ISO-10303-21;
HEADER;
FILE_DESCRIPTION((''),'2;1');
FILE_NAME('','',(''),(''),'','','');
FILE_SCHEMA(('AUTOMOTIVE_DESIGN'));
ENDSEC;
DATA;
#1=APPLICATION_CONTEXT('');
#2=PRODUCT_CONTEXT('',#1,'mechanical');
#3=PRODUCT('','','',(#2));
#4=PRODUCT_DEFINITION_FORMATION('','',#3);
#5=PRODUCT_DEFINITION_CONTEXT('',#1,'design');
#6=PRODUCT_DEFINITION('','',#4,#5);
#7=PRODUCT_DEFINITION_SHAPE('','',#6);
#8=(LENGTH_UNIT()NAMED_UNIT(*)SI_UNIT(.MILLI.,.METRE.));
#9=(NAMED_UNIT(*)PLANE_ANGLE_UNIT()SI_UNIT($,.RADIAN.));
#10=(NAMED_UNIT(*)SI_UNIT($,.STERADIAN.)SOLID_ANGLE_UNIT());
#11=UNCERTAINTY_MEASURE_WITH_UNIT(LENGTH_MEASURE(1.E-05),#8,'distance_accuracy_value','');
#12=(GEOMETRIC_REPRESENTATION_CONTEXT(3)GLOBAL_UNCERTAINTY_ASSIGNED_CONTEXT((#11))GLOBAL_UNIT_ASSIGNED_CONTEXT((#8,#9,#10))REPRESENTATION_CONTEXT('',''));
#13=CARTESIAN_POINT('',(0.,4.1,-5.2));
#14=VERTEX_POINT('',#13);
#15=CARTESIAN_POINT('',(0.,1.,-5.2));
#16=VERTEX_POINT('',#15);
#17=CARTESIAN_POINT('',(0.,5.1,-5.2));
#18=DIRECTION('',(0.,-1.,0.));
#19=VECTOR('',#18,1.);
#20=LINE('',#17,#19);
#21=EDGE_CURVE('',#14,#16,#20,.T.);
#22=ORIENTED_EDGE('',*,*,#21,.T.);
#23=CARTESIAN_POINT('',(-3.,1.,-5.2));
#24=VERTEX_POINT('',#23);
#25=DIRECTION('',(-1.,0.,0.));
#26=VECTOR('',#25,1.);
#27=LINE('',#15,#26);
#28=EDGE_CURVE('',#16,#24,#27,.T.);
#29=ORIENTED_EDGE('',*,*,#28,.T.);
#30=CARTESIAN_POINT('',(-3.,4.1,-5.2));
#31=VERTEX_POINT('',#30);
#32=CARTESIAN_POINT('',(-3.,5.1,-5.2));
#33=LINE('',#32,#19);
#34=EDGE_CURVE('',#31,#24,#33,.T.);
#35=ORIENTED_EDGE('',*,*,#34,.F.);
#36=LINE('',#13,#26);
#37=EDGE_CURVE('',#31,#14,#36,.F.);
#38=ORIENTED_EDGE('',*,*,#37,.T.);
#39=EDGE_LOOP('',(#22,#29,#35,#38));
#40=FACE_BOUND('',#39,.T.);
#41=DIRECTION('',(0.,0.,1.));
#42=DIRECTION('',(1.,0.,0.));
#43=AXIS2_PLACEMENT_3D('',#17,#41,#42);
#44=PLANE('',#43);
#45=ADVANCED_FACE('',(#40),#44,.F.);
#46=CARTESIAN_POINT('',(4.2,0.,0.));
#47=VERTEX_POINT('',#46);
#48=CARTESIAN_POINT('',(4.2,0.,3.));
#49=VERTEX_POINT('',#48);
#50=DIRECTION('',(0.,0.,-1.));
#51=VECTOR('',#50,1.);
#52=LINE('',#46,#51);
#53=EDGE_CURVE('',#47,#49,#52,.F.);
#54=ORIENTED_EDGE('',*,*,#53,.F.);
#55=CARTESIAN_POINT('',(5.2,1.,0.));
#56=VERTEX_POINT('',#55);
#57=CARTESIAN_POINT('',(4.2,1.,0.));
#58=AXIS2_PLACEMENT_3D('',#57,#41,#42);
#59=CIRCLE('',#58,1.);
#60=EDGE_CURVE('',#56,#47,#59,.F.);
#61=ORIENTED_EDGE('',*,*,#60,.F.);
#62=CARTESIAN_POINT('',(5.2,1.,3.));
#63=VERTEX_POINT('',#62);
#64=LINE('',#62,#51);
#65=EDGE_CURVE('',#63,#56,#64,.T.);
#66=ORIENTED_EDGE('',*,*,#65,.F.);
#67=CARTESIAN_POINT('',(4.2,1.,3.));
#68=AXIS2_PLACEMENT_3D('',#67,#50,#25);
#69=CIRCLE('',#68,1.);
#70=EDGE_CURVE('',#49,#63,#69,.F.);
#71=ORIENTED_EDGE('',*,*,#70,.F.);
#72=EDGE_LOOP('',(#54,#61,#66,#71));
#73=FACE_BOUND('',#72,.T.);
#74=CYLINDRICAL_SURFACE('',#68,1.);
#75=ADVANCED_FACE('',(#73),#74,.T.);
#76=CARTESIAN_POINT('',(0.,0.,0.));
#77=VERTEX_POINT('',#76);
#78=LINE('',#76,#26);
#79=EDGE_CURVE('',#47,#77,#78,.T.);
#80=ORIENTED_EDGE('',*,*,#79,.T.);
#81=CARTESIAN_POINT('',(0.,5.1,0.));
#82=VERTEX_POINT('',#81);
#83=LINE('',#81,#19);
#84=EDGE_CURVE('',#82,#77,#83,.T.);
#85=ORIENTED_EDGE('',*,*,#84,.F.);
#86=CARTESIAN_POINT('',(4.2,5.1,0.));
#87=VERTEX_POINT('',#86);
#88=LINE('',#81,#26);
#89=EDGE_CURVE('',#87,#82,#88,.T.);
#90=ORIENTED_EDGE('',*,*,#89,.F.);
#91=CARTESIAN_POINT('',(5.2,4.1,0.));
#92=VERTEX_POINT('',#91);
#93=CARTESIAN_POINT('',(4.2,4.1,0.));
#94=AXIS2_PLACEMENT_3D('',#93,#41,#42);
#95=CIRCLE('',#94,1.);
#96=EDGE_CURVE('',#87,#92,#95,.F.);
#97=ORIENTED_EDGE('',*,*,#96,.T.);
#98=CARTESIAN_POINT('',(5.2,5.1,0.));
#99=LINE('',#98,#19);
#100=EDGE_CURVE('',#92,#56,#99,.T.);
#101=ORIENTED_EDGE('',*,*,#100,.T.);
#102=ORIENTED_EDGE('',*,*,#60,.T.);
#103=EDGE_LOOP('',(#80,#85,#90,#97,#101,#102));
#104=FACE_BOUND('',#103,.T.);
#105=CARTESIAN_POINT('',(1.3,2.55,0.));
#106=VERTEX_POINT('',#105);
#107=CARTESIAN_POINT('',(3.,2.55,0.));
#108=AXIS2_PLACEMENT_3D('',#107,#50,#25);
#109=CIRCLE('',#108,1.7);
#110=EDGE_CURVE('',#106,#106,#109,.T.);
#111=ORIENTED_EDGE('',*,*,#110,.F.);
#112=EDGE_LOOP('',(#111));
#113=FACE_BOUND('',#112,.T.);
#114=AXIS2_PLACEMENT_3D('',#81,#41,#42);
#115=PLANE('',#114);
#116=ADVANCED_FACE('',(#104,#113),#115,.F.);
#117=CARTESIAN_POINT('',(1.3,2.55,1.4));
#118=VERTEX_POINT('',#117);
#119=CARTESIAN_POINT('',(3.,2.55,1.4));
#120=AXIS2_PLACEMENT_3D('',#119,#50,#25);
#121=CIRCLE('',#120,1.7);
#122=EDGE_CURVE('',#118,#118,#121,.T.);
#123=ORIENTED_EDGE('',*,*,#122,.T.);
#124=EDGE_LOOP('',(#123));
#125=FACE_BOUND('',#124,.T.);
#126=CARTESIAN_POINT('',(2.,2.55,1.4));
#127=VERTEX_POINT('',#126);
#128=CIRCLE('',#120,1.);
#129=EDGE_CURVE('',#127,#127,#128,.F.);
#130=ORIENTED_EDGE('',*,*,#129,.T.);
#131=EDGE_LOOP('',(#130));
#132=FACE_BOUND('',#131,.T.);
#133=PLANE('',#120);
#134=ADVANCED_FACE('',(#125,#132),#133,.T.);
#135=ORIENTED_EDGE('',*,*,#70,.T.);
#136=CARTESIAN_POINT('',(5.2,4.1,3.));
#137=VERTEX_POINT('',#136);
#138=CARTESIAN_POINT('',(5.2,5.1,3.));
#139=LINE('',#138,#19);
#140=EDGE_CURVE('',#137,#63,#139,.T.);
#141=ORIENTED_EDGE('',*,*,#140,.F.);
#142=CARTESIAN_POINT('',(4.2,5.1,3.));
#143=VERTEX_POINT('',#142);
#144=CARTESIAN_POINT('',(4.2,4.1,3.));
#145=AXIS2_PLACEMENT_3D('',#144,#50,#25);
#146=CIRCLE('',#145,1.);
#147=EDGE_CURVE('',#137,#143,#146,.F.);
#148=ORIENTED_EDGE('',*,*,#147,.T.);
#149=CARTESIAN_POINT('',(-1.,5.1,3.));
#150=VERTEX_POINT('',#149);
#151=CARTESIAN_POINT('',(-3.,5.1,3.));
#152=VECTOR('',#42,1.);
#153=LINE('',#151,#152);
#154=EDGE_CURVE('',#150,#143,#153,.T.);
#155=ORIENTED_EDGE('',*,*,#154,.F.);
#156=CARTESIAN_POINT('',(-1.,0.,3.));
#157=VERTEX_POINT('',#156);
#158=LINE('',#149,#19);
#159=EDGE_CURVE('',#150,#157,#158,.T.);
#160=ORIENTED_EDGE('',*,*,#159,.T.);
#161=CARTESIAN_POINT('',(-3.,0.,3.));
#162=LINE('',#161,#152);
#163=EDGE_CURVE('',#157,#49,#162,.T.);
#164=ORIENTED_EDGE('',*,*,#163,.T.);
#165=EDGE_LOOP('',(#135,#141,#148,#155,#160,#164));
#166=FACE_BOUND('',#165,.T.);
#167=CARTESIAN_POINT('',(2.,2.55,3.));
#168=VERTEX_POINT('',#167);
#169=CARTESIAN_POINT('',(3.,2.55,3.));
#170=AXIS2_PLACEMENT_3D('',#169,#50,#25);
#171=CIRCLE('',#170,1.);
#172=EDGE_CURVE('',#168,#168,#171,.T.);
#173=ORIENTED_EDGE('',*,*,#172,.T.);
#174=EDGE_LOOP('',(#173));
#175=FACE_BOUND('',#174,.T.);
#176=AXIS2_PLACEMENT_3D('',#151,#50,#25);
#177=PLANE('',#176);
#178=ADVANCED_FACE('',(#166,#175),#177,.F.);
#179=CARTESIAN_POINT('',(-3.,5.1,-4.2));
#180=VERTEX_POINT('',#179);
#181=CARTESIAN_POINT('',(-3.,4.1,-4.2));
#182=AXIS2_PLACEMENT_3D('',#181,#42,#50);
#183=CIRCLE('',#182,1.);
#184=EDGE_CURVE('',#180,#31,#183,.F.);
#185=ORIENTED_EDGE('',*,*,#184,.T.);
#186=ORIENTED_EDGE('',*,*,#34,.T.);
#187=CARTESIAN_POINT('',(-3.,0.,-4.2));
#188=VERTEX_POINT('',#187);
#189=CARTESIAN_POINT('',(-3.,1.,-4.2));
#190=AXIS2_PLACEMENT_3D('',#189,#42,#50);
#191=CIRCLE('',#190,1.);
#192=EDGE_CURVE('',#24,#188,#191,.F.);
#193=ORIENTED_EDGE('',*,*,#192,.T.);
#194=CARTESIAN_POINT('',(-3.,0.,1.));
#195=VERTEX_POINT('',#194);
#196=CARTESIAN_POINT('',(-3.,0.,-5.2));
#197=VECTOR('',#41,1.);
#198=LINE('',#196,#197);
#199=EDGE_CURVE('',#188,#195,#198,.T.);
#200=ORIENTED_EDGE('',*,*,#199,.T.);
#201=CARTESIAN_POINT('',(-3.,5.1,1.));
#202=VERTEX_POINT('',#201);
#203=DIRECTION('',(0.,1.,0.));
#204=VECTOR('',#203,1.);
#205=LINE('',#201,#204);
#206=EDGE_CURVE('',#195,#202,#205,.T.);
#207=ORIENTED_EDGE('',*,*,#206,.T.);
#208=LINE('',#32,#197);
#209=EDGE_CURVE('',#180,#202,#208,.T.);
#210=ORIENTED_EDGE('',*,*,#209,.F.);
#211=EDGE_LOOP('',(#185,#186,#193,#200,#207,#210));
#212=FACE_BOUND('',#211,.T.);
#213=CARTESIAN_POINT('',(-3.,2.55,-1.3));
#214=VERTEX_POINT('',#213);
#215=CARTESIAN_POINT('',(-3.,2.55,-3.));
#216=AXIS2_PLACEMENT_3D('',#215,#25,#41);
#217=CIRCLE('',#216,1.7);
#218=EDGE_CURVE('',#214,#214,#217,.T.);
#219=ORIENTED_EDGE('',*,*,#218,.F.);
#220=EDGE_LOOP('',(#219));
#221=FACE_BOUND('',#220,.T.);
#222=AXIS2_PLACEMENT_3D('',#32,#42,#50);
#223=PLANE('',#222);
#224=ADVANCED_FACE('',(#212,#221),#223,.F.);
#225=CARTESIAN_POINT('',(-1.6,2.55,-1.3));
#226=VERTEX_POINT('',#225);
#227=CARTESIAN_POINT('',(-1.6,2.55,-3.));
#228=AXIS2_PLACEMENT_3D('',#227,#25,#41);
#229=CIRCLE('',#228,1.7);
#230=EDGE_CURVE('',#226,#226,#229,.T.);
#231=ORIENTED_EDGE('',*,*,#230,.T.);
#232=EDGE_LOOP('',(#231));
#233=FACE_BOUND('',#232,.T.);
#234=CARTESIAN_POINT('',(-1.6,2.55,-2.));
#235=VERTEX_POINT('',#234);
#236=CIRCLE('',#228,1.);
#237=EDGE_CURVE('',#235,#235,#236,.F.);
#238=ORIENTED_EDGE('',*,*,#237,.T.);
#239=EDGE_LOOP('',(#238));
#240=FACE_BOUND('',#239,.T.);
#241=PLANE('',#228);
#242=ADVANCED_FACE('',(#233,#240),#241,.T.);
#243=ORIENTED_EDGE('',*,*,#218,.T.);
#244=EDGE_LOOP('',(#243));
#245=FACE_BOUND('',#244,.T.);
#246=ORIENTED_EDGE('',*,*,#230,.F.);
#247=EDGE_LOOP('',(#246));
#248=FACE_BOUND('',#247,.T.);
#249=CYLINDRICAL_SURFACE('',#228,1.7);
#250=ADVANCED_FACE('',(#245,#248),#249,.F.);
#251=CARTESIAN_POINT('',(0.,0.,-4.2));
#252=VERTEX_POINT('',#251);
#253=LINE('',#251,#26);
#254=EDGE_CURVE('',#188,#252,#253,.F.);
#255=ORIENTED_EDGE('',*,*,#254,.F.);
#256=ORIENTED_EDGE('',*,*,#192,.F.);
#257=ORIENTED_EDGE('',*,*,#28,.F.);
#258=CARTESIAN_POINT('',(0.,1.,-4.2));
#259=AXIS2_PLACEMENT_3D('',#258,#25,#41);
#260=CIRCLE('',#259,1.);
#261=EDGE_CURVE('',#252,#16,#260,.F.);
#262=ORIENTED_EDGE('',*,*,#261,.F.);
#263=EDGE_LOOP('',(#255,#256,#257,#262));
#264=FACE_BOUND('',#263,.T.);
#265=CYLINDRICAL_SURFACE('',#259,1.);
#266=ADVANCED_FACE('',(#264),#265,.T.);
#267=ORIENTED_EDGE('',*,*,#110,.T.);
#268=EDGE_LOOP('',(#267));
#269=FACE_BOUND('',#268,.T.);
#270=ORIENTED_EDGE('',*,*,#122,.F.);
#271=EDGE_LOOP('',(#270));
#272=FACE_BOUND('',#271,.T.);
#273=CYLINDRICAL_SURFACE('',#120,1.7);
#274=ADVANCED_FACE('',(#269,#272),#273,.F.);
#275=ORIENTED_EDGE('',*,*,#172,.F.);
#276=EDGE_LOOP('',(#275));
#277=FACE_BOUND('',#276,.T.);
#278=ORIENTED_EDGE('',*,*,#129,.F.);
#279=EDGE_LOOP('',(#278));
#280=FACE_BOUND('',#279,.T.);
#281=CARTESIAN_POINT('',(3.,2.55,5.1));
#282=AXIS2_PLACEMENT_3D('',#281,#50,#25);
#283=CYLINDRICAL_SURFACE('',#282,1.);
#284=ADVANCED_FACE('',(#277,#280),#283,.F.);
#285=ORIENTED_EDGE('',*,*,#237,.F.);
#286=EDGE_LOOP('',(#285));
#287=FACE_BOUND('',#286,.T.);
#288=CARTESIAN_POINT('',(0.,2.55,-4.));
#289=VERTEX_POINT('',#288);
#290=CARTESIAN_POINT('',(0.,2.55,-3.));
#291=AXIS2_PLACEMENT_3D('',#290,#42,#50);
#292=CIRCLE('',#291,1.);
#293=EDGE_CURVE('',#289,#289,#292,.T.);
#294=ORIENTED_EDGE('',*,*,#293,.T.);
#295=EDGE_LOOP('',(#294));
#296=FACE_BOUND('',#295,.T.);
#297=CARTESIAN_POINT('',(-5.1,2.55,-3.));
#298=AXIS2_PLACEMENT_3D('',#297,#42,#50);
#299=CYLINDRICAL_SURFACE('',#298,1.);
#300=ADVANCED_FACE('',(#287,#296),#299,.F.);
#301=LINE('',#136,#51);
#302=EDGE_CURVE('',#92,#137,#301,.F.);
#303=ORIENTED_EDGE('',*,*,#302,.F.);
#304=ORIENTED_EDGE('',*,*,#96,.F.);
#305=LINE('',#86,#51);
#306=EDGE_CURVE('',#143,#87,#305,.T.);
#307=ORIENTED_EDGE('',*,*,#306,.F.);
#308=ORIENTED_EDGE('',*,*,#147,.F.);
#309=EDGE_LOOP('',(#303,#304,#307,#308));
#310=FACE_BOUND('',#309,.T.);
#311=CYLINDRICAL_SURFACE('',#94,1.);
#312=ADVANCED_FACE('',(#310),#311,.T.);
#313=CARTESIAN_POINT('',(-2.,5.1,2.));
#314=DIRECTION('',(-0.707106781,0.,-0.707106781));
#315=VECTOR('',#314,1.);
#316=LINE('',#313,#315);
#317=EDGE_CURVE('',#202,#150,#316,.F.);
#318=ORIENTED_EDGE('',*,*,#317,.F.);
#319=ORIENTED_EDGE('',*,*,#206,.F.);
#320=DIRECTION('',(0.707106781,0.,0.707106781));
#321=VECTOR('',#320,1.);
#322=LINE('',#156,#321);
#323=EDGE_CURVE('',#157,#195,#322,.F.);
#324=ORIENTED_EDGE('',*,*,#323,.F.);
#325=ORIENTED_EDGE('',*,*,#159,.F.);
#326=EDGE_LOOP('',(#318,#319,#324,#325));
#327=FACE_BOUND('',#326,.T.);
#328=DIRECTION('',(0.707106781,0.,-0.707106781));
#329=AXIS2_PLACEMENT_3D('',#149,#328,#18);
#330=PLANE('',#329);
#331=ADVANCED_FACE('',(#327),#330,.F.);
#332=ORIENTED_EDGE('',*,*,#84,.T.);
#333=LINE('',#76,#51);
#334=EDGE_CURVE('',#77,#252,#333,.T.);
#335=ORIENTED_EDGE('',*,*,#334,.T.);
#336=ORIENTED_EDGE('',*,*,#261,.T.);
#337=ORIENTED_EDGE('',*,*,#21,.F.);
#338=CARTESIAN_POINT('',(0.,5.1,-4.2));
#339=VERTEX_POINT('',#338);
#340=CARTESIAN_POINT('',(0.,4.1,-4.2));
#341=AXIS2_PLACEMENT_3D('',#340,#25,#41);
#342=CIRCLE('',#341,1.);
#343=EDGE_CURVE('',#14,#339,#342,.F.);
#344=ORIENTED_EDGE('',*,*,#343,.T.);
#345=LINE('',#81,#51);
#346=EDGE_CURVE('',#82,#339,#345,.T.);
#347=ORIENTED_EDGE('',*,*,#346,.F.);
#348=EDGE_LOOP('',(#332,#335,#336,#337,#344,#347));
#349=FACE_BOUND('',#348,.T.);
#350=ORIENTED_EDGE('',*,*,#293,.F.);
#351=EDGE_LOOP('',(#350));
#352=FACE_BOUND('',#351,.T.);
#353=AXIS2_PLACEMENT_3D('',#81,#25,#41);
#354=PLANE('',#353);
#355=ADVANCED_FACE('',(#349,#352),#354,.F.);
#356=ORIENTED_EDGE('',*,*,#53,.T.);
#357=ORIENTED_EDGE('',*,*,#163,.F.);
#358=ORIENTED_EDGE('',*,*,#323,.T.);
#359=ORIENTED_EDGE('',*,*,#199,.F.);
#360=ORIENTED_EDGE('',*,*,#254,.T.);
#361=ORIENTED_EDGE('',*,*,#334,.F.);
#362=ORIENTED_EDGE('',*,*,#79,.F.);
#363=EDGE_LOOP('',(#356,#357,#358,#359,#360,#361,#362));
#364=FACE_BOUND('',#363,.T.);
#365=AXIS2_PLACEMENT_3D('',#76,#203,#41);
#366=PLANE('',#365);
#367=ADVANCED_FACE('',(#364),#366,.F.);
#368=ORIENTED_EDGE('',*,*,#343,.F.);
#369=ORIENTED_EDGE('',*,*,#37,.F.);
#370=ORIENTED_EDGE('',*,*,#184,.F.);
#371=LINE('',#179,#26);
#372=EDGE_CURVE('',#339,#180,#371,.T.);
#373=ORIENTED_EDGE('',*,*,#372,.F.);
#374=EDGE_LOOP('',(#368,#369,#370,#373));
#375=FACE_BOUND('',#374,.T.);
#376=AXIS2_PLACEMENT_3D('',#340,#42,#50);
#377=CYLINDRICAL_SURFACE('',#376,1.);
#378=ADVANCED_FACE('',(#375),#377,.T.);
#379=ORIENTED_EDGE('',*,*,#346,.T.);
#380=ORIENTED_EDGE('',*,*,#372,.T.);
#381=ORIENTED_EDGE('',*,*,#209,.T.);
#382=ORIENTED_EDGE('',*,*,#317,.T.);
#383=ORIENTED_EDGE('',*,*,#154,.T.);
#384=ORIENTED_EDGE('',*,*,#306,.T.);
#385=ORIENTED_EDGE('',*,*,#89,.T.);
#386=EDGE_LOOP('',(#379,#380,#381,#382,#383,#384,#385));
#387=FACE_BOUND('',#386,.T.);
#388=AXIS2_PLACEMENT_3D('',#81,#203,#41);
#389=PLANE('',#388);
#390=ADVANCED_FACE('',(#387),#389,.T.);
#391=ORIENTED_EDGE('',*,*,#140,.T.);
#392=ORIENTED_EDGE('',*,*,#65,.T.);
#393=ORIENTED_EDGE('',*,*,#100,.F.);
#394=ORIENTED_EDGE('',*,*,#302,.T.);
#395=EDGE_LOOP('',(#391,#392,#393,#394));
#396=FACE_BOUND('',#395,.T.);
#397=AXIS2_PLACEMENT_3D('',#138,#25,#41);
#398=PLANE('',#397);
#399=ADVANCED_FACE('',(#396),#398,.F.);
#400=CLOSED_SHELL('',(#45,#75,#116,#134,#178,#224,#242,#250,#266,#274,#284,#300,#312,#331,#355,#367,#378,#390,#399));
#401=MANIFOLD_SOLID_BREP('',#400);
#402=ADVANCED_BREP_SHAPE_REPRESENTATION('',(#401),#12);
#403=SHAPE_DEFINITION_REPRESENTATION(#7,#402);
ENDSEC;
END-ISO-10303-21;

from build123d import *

# Parameters (mm, degrees)
BOSS_EXTRUDE1_DEPTH = 5.1
CHAMFER1_SIZE       = 2
FILLET1_R           = 1
SKETCH3_R           = 1
CUT_EXTRUDE1_DEPTH  = 5.1
SKETCH4_R           = 1
CUT_EXTRUDE2_DEPTH  = 5.1
SKETCH5_R           = 1.7
CUT_EXTRUDE3_DEPTH  = 1.4
SKETCH6_R           = 1.7
CUT_EXTRUDE4_DEPTH  = 1.4


with BuildPart() as part:
    # Sketch1 → Boss-Extrude1 (new body)
    with BuildSketch(Plane(origin=(0, 0, 0), x_dir=(1, 0, 0), z_dir=(0, 1, 0))):
        Polygon((0, 0), (0, 5.2), (-3, 5.2), (-3, -3), (5.2, -3), (5.2, 0), align=None)
    extrude(amount=BOSS_EXTRUDE1_DEPTH)

    # Chamfer1
    chamfer1_edges = [part.edges().sort_by_distance(p)[0] for p in [
        (-3, 2.55, 3),
    ]]
    chamfer(chamfer1_edges, length=CHAMFER1_SIZE)

    # Fillet1
    fillet1_edges = [part.edges().sort_by_distance(p)[0] for p in [
        (-1.5, 5.1, -5.2),
        (5.2, 5.1, 1.5),
        (5.2, 0, 1.5),
        (-1.5, 0, -5.2),
    ]]
    fillet(fillet1_edges, radius=FILLET1_R)

    # Sketch3 → Cut-Extrude1 (cut)
    with BuildSketch(Plane(origin=(0, 0, 0), x_dir=(0, 0, -1), z_dir=(1, 0, 0))):
        with Locations((3, 2.55)):
            Circle(SKETCH3_R)
    extrude(amount=-CUT_EXTRUDE1_DEPTH, mode=Mode.SUBTRACT)

    # Sketch4 → Cut-Extrude2 (cut)
    with BuildSketch(Plane(origin=(0, 0, 0), x_dir=(-1, 0, 0), z_dir=(0, 0, -1))):
        with Locations((-3, 2.55)):
            Circle(SKETCH4_R)
    extrude(amount=-CUT_EXTRUDE2_DEPTH, mode=Mode.SUBTRACT)

    # Sketch5 → Cut-Extrude3 (cut)
    with BuildSketch(Plane(origin=(0, 0, 0), x_dir=(-1, 0, 0), z_dir=(0, 0, -1))):
        with Locations((-3, 2.55)):
            Circle(SKETCH5_R)
    extrude(amount=-CUT_EXTRUDE3_DEPTH, mode=Mode.SUBTRACT)

    # Sketch6 → Cut-Extrude4 (cut)
    with BuildSketch(Plane.ZY.offset(3)):
        with Locations((-3, 2.55)):
            Circle(SKETCH6_R)
    extrude(amount=-CUT_EXTRUDE4_DEPTH, mode=Mode.SUBTRACT)


solid = part.part
